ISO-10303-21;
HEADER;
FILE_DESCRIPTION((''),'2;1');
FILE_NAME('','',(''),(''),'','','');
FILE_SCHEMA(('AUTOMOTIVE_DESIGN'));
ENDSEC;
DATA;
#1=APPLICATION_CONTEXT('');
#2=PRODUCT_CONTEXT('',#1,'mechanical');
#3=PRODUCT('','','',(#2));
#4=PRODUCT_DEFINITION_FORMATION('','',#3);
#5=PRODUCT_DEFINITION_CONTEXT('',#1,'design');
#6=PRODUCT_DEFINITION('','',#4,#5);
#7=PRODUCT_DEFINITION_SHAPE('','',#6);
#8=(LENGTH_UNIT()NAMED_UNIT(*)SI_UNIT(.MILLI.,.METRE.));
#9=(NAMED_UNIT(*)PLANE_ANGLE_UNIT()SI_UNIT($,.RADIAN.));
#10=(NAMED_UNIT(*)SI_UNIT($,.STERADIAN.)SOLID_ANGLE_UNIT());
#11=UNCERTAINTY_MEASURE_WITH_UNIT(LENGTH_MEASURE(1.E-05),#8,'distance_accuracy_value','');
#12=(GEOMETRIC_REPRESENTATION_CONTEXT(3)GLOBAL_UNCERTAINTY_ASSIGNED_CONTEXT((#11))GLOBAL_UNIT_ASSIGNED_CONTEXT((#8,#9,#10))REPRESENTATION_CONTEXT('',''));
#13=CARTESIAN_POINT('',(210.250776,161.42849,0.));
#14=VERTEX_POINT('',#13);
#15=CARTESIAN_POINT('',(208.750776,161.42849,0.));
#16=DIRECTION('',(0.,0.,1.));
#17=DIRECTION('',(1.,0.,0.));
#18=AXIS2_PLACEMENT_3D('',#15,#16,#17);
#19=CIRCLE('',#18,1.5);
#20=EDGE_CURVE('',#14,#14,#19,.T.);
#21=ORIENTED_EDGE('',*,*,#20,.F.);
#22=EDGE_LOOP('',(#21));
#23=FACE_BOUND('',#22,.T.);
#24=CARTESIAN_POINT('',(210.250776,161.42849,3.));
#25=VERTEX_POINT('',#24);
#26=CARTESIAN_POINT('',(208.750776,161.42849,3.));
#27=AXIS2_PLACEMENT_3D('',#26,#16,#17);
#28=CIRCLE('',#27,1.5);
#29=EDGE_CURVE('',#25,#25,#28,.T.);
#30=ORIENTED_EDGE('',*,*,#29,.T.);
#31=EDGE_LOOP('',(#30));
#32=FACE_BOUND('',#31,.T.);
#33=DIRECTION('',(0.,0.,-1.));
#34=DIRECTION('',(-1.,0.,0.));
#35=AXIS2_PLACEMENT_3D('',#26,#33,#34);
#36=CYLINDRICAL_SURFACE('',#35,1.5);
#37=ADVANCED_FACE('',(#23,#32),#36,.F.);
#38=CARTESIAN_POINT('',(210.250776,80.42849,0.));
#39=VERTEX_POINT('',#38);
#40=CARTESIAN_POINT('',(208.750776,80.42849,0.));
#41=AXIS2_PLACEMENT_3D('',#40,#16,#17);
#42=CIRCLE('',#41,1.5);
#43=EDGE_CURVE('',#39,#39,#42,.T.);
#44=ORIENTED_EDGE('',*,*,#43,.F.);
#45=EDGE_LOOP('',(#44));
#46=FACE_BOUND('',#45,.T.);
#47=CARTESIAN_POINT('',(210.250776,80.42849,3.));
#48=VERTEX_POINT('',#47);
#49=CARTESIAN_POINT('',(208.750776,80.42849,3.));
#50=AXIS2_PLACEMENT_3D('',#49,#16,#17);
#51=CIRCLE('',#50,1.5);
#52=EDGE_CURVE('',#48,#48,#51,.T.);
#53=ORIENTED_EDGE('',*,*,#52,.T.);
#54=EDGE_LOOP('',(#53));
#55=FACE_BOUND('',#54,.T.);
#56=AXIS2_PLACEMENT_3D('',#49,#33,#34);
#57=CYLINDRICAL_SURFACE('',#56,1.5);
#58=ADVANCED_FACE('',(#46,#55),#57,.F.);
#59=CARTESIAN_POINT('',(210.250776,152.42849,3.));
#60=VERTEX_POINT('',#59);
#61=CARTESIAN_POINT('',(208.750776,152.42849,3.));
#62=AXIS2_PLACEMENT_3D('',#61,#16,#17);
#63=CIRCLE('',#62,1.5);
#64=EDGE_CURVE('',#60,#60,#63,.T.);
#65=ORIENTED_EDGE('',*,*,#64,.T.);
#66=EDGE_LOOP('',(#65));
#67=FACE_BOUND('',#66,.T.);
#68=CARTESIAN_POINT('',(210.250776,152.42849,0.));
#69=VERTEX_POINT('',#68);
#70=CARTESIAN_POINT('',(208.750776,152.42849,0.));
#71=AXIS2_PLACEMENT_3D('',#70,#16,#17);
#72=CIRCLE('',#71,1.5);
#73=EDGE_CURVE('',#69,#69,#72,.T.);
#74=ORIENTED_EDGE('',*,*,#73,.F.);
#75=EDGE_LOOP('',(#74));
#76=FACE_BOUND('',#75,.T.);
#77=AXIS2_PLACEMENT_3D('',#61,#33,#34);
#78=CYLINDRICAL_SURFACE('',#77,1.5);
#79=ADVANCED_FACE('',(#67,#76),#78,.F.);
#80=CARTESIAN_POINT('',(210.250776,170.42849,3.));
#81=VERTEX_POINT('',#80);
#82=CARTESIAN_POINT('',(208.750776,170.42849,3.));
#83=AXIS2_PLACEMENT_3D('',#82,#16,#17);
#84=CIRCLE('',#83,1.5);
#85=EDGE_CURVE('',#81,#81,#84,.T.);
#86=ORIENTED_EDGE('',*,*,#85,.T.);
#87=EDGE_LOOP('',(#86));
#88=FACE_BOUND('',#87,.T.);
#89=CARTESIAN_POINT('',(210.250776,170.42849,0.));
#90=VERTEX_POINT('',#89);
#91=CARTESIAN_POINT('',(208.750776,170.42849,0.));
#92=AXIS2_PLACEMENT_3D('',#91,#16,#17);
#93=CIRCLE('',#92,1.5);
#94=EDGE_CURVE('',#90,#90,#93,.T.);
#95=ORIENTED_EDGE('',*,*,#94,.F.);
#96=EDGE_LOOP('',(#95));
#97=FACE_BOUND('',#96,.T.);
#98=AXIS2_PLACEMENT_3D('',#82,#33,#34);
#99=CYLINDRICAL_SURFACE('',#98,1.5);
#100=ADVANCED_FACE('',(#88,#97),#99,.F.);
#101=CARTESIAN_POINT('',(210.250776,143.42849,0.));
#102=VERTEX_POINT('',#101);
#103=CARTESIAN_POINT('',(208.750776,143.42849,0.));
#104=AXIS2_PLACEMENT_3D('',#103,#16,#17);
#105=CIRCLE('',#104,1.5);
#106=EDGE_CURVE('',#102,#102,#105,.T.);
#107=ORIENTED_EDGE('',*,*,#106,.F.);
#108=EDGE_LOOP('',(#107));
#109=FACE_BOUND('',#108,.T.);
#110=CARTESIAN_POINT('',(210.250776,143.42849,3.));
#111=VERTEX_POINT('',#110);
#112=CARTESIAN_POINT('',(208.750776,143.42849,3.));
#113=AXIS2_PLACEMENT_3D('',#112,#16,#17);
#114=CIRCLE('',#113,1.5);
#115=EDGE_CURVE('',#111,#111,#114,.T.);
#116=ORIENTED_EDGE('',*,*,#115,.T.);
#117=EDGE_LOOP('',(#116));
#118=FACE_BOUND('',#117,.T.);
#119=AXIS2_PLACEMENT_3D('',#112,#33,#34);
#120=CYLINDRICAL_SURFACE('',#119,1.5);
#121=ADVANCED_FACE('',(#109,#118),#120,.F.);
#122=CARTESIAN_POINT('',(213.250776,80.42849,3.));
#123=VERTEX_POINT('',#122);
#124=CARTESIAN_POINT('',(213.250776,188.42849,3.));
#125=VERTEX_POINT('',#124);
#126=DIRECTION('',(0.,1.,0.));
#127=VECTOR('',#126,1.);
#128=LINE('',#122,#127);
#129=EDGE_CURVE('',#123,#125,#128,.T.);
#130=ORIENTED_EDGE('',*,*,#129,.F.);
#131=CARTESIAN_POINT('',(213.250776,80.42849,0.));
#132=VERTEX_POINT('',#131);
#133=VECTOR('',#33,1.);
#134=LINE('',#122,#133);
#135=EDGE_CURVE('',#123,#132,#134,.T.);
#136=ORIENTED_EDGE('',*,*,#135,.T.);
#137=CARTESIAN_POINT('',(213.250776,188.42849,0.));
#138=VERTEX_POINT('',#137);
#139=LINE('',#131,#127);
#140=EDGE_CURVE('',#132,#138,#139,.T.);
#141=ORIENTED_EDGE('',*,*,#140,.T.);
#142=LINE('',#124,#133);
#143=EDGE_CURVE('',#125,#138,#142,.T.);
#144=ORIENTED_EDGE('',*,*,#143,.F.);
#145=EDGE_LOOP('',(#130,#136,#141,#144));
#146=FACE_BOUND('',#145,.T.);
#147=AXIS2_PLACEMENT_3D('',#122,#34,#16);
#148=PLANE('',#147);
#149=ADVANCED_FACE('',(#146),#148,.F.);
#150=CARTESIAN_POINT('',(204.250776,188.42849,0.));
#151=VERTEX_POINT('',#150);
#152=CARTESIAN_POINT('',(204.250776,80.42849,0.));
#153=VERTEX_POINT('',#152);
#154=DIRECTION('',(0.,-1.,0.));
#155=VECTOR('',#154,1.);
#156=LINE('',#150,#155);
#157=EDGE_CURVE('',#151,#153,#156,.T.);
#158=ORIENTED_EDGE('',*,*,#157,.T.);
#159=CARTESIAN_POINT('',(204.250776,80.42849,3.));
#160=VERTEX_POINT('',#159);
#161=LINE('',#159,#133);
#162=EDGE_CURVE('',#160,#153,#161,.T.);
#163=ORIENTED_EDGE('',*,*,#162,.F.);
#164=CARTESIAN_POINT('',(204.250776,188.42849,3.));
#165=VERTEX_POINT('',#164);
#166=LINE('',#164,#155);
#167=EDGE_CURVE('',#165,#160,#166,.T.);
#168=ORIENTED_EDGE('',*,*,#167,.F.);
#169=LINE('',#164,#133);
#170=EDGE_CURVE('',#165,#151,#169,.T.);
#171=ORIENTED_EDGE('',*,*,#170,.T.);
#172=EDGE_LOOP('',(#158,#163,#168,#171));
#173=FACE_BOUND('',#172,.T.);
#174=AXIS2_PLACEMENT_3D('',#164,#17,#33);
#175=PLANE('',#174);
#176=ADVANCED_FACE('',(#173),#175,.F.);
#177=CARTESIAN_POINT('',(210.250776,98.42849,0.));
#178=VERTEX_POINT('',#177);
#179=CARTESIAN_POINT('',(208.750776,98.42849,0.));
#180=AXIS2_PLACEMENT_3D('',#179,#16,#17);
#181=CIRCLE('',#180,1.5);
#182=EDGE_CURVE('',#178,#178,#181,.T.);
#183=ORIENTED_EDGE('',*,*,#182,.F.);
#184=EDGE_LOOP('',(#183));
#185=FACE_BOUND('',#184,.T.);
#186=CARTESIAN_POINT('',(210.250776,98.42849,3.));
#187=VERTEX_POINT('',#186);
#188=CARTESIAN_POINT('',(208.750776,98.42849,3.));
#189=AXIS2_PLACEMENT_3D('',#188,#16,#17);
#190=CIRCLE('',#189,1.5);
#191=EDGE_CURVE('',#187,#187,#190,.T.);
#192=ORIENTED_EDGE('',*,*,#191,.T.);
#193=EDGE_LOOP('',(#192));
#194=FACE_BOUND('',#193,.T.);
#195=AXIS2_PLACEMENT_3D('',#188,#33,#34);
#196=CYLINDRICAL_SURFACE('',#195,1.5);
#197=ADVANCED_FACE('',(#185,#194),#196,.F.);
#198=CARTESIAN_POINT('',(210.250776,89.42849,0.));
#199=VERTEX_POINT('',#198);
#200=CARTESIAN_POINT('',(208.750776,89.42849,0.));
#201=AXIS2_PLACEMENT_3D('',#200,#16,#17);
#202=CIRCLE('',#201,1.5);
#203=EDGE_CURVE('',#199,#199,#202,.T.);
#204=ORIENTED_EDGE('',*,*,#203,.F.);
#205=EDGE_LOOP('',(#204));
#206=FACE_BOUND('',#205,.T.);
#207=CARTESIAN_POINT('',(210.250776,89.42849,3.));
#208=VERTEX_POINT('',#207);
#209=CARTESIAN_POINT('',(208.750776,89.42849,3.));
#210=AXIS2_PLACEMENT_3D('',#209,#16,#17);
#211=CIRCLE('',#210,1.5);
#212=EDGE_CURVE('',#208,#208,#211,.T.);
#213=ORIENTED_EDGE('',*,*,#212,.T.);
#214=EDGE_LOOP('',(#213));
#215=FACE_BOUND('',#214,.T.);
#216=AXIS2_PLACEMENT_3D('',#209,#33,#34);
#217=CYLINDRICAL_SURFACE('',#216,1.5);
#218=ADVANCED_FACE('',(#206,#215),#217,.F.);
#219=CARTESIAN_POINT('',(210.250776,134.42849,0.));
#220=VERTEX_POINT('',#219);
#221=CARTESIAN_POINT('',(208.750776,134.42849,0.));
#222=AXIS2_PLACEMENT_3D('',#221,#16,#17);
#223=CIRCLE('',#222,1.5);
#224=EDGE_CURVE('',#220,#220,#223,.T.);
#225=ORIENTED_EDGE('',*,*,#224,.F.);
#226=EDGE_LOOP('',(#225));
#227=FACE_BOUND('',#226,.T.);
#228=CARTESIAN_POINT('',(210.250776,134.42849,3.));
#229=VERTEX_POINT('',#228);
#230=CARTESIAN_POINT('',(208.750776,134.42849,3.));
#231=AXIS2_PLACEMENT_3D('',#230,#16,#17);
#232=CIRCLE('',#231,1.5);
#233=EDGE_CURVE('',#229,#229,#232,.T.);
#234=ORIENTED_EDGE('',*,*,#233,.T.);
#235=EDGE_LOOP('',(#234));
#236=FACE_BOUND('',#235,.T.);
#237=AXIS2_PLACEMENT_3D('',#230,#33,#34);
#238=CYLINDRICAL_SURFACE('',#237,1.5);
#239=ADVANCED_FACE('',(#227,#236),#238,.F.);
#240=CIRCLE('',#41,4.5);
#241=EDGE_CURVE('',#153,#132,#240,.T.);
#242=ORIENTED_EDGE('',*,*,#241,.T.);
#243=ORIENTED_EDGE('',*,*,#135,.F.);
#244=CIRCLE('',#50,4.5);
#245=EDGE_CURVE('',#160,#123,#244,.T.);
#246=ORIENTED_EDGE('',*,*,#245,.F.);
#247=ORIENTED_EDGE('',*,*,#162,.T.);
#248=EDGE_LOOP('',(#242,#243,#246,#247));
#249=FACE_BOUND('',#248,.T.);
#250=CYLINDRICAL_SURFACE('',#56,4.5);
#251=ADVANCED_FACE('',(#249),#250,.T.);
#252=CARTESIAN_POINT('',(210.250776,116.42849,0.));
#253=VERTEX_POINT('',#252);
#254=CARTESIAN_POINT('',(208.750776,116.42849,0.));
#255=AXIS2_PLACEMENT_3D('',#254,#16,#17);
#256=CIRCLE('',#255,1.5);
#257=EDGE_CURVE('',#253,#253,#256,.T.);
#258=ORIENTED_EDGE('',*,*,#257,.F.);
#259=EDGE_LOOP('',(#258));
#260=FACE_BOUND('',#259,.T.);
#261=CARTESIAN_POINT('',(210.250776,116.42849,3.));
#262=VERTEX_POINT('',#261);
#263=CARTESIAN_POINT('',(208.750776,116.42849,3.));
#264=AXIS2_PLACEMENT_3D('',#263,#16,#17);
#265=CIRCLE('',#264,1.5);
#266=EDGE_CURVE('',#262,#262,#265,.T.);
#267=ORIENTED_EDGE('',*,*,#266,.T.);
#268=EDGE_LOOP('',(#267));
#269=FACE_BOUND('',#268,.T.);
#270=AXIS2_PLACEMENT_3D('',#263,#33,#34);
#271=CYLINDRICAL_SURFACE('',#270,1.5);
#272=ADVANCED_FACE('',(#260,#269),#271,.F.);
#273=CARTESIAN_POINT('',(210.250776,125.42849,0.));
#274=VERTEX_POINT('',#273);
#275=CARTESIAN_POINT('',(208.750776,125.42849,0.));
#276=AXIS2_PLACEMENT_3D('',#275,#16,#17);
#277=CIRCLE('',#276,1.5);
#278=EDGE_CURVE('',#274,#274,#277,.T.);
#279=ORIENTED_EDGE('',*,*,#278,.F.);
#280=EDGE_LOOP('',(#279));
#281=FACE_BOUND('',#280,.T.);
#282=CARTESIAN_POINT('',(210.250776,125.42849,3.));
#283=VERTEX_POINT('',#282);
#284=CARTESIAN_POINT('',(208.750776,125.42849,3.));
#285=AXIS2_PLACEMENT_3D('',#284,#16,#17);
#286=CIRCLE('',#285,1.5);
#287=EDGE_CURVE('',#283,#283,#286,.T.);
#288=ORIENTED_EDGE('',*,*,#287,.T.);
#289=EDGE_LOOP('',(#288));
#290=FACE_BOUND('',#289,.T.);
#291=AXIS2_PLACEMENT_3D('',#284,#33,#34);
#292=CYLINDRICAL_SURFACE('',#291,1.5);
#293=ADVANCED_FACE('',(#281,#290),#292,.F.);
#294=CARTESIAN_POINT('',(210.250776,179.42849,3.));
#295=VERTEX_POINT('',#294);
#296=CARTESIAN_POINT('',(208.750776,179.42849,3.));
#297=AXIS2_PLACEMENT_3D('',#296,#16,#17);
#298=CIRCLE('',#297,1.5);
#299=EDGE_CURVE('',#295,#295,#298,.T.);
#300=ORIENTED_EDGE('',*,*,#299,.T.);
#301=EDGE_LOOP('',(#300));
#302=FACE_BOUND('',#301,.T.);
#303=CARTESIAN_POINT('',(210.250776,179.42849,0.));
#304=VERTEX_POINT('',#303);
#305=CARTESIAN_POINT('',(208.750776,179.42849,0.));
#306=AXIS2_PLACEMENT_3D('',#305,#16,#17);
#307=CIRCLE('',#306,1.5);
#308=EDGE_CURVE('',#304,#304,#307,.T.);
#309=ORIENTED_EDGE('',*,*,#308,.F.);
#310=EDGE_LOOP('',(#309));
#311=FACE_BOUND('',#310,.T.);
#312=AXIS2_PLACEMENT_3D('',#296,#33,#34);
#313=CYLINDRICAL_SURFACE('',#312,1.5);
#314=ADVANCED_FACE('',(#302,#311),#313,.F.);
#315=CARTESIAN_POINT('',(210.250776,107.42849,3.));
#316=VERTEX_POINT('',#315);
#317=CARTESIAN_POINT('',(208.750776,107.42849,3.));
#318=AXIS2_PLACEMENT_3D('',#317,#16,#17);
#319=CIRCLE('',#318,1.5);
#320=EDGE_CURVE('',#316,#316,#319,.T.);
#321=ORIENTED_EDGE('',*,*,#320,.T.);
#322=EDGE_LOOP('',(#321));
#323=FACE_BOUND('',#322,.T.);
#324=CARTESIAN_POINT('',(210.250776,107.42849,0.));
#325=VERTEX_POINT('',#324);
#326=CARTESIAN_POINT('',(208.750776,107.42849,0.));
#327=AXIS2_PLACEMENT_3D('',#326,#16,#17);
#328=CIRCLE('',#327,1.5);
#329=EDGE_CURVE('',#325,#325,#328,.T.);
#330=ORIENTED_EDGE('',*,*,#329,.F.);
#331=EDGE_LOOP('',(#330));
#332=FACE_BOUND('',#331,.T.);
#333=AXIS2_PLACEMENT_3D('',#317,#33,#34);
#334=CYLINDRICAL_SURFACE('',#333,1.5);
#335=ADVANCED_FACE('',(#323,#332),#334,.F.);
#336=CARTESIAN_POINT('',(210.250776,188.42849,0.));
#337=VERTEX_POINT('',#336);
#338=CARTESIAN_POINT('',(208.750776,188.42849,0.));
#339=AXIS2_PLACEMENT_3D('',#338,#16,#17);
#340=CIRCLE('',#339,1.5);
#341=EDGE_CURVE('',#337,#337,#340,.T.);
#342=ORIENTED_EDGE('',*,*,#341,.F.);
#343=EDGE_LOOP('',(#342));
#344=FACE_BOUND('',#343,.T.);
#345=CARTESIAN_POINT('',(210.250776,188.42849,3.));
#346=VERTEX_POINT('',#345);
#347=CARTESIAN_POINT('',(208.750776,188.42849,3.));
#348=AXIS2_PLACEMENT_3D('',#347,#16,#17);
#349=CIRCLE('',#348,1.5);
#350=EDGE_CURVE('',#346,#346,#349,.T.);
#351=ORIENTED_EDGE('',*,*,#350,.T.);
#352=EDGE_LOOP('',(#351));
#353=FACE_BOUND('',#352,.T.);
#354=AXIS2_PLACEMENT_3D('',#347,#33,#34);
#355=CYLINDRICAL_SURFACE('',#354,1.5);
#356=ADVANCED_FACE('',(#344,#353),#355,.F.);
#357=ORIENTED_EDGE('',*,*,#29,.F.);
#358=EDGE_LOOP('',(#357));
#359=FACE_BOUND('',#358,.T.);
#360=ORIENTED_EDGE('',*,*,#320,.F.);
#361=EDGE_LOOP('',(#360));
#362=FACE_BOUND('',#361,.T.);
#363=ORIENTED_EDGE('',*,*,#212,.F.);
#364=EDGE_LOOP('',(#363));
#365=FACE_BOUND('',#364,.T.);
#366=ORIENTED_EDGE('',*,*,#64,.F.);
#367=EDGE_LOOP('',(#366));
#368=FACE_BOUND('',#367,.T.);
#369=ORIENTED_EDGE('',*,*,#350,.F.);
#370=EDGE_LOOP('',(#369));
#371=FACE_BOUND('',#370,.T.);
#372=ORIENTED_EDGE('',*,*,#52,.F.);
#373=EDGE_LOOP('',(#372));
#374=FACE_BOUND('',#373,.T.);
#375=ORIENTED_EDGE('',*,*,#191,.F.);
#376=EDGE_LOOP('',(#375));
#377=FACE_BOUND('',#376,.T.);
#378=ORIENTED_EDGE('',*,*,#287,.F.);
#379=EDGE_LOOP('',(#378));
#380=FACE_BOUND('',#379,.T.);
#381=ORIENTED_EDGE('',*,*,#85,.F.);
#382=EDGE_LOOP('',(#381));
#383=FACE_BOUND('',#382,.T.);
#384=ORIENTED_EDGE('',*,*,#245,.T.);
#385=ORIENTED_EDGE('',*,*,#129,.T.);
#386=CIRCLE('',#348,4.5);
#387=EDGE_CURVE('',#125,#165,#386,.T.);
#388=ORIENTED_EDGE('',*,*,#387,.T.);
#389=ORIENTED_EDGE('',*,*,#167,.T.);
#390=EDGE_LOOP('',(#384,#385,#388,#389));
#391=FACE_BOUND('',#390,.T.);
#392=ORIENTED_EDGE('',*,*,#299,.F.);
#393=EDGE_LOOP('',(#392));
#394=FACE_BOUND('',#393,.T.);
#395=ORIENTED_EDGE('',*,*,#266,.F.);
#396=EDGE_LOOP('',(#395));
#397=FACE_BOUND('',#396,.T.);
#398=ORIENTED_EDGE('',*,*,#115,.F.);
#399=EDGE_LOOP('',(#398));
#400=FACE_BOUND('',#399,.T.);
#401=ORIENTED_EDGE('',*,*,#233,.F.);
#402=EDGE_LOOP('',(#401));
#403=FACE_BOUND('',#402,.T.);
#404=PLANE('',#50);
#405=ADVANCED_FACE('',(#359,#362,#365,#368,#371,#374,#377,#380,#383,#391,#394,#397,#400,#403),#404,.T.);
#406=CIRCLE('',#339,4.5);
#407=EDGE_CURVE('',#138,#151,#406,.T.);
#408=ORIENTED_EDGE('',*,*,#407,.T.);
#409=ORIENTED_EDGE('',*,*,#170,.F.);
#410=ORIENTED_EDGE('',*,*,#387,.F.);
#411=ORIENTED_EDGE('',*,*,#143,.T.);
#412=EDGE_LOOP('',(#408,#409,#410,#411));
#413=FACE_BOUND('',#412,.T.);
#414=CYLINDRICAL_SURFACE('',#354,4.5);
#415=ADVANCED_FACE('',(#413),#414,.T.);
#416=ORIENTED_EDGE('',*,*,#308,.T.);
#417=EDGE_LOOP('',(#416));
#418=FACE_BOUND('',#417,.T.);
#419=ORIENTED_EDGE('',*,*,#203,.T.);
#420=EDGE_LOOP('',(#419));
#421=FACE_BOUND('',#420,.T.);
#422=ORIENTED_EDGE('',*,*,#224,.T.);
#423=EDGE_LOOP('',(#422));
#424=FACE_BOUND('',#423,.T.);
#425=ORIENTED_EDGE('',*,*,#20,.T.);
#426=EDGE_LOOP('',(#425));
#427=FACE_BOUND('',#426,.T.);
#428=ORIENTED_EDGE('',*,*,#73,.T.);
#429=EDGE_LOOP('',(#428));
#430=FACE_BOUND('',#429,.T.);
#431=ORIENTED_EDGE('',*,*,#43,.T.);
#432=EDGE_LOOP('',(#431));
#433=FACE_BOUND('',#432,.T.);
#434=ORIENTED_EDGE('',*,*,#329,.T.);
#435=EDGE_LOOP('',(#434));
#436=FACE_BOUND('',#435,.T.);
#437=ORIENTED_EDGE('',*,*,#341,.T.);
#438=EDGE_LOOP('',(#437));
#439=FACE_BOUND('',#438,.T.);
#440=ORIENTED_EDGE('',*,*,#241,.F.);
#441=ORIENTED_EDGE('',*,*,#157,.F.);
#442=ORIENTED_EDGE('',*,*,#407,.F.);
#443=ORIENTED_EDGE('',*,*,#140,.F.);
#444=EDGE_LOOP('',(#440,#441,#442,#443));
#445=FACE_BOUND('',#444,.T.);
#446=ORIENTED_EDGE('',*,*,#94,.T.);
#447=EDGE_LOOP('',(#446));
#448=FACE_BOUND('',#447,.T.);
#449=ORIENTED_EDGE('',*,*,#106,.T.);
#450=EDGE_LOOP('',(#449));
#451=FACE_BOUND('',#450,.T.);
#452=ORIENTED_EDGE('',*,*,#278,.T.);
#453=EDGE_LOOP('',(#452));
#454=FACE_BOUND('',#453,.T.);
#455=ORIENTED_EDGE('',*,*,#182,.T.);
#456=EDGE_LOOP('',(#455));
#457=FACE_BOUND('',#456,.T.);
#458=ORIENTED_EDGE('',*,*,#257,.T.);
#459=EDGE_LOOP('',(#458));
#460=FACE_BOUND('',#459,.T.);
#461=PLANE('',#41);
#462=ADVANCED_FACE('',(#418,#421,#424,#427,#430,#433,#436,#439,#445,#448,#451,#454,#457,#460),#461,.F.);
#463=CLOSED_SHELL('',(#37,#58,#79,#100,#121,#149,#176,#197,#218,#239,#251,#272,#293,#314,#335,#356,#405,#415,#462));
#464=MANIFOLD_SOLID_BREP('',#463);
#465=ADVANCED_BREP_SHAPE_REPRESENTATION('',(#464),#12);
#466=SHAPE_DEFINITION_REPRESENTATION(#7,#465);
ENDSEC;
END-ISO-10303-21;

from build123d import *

# Parameters (mm, degrees)
MODEL_R                 = 1.5
SALIENTE_EXTRUIR1_DEPTH = 3


with BuildPart() as part:
    # Model → Saliente-Extruir1 (new body)
    with BuildSketch(Plane.XY):
        with BuildLine():
            Line((213.25077615, 80.428489513), (213.25077615, 188.428489513))
            ThreePointArc((213.25077615, 188.428489513), (208.75077615, 192.928489513), (204.25077615, 188.428489513))
            Line((204.25077615, 188.428489513), (204.25077615, 80.428489513))
            ThreePointArc((204.25077615, 80.428489513), (208.75077615, 75.928489513), (213.25077615, 80.428489513))
        make_face()
        with Locations((208.75077615, 179.428489513)):
            Circle(MODEL_R, mode=Mode.SUBTRACT)
        with Locations((208.75077615, 188.428489513)):
            Circle(MODEL_R, mode=Mode.SUBTRACT)
        with Locations((208.75077615, 152.428489513)):
            Circle(MODEL_R, mode=Mode.SUBTRACT)
        with Locations((208.75077615, 161.428489513)):
            Circle(MODEL_R, mode=Mode.SUBTRACT)
        with Locations((208.75077615, 170.428489513)):
            Circle(MODEL_R, mode=Mode.SUBTRACT)
        with Locations((208.75077615, 143.428489513)):
            Circle(MODEL_R, mode=Mode.SUBTRACT)
        with Locations((208.75077615, 116.428489513)):
            Circle(MODEL_R, mode=Mode.SUBTRACT)
        with Locations((208.75077615, 125.428489513)):
            Circle(MODEL_R, mode=Mode.SUBTRACT)
        with Locations((208.75077615, 134.428489513)):
            Circle(MODEL_R, mode=Mode.SUBTRACT)
        with Locations((208.75077615, 80.428489513)):
            Circle(MODEL_R, mode=Mode.SUBTRACT)
        with Locations((208.75077615, 89.428489513)):
            Circle(MODEL_R, mode=Mode.SUBTRACT)
        with Locations((208.75077615, 98.428489513)):
            Circle(MODEL_R, mode=Mode.SUBTRACT)
        with Locations((208.75077615, 107.428489513)):
            Circle(MODEL_R, mode=Mode.SUBTRACT)
    extrude(amount=SALIENTE_EXTRUIR1_DEPTH)


solid = part.part
